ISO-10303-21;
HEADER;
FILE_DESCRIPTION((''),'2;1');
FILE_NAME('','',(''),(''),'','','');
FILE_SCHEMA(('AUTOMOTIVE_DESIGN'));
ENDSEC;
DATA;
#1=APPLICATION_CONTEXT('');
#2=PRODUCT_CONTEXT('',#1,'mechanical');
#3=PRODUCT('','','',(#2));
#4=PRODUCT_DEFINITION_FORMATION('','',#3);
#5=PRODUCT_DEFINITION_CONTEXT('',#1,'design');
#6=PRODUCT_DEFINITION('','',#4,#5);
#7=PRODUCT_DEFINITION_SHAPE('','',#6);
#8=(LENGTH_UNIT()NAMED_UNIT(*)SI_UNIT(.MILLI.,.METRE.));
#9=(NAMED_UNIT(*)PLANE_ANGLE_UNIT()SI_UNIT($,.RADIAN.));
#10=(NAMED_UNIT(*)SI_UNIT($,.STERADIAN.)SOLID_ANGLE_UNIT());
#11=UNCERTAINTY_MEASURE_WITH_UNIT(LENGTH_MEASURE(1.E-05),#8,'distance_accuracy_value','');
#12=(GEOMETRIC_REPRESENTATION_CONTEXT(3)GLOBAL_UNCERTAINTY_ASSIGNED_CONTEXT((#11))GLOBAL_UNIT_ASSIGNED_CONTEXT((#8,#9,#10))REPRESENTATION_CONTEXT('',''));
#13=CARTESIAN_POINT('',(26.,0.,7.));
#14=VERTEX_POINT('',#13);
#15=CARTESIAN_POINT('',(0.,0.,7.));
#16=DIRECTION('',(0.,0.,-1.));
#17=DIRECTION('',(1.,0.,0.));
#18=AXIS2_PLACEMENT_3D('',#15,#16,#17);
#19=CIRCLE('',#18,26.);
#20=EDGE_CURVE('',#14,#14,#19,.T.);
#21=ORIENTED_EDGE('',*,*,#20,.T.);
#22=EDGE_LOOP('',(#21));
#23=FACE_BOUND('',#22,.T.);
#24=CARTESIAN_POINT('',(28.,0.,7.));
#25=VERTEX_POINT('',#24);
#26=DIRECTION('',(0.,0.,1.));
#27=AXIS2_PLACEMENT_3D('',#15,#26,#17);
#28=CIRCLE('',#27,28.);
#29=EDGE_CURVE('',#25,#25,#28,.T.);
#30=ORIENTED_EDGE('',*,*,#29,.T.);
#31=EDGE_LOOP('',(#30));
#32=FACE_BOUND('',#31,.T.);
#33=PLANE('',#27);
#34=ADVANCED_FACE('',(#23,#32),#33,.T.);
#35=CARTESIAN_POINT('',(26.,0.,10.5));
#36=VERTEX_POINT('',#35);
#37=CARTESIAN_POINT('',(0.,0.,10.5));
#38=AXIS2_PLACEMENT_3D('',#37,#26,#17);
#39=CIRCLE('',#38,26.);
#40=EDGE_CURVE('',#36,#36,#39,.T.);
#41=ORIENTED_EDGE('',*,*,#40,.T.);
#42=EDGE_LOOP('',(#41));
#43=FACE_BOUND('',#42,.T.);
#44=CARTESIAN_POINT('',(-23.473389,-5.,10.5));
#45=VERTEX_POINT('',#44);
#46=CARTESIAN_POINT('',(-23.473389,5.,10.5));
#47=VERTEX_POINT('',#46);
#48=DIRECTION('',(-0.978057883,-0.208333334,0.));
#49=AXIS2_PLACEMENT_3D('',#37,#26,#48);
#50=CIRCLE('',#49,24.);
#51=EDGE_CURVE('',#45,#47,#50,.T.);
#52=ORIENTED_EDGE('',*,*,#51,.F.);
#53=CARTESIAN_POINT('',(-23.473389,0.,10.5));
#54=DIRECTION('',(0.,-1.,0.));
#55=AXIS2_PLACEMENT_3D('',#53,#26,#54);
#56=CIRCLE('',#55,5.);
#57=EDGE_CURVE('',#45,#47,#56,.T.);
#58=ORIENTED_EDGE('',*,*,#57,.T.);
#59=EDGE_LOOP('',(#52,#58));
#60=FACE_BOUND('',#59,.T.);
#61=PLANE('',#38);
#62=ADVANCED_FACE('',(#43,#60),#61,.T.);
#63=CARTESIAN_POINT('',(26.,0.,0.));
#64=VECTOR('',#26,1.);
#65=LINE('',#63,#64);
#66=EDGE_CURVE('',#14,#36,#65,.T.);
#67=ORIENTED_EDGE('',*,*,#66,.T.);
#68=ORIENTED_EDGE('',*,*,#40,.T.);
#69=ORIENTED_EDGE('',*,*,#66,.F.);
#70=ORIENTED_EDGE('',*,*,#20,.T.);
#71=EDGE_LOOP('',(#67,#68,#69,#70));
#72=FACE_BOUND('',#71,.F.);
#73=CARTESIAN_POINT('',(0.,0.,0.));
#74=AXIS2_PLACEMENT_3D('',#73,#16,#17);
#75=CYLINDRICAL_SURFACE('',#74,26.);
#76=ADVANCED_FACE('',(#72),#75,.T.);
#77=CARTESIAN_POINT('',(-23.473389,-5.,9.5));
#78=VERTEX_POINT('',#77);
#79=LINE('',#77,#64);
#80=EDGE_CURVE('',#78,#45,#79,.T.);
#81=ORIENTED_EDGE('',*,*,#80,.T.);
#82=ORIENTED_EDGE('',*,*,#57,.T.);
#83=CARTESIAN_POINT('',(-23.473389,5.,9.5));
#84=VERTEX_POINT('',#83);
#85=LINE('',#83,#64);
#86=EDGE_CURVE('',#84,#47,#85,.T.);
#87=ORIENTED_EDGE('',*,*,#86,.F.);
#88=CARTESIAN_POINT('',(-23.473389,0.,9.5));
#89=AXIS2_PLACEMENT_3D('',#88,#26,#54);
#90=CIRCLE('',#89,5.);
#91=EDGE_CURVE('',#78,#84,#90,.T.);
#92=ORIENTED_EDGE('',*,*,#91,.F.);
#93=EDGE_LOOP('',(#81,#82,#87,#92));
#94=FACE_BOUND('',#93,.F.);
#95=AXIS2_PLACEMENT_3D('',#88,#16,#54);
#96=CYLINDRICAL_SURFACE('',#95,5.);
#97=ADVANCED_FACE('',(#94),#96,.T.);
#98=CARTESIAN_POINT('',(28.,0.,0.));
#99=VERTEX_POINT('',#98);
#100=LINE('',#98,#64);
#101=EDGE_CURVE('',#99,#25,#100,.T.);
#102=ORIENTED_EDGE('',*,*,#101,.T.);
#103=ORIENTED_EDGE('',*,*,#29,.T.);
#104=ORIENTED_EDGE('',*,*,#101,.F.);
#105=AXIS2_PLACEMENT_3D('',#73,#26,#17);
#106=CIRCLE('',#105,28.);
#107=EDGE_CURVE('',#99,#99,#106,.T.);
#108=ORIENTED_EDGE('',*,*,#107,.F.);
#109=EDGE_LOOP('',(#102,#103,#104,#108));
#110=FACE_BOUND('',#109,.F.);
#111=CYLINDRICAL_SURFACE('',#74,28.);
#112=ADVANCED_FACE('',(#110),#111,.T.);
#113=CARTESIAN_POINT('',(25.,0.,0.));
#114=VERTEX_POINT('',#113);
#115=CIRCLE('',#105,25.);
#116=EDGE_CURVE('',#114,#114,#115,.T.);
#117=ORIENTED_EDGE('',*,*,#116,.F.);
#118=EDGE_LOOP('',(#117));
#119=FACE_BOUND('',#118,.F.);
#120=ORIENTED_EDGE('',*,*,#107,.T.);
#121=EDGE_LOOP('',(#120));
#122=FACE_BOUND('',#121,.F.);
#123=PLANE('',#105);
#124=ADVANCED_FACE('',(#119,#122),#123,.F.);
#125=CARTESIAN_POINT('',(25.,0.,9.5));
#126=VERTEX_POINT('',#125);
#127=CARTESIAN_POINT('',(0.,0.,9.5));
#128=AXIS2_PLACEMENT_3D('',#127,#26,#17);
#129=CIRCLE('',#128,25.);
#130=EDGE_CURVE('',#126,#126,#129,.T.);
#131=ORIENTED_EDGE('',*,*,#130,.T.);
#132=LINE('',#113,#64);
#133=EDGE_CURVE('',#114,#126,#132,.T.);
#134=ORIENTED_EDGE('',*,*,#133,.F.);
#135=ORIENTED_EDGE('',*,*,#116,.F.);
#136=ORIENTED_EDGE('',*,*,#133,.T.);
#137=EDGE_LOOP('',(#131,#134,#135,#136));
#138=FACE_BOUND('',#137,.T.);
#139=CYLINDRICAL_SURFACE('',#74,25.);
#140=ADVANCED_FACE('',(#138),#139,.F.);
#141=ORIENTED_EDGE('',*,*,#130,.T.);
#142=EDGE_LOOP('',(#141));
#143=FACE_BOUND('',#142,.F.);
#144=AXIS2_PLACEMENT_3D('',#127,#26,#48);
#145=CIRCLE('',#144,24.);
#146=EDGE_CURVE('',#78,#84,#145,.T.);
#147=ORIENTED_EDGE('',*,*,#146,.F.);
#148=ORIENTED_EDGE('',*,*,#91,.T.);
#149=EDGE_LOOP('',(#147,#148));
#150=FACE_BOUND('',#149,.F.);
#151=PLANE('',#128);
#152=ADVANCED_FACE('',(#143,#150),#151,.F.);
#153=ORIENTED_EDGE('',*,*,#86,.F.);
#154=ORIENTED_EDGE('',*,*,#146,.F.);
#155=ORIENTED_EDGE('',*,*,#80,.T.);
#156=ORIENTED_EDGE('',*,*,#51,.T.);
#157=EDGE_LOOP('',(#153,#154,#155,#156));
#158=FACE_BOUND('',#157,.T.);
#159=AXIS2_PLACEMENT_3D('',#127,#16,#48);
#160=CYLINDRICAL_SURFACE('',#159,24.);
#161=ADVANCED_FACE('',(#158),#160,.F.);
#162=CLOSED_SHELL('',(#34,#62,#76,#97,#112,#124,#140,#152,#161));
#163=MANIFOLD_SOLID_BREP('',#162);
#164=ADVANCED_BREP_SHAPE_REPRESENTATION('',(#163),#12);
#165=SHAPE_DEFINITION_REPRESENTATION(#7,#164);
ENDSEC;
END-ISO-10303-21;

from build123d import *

# Parameters (mm, degrees)
SKETCH_R      = 28
SKETCH_R_2    = 25
PAD_DEPTH     = 7
SKETCH001_R   = 26
SKETCH001_R_2 = 25
PAD001_DEPTH  = 10.5
SKETCH002_R   = 25
PAD002_DEPTH  = 1


with BuildPart() as part:
    # Sketch → Pad (new body)
    with BuildSketch(Plane.XY):
        Circle(SKETCH_R)
        Circle(SKETCH_R_2, mode=Mode.SUBTRACT)
    extrude(amount=PAD_DEPTH)

    # Sketch001 → Pad001 (join)
    with BuildSketch(Plane.XY):
        Circle(SKETCH001_R)
        Circle(SKETCH001_R_2, mode=Mode.SUBTRACT)
    extrude(amount=PAD001_DEPTH)

    # Sketch002 (on DatumPlane) → Pad002 (join)
    with BuildSketch(Plane.XY.offset(9.5)):
        Circle(SKETCH002_R)
        with BuildLine():
            ThreePointArc((-23.473389, -5), (24, 0), (-23.473389, 5))
            ThreePointArc((-23.473389, -5), (-18.473389, 0), (-23.473389, 5))
        make_face(mode=Mode.SUBTRACT)
    extrude(amount=PAD002_DEPTH)


solid = part.part
